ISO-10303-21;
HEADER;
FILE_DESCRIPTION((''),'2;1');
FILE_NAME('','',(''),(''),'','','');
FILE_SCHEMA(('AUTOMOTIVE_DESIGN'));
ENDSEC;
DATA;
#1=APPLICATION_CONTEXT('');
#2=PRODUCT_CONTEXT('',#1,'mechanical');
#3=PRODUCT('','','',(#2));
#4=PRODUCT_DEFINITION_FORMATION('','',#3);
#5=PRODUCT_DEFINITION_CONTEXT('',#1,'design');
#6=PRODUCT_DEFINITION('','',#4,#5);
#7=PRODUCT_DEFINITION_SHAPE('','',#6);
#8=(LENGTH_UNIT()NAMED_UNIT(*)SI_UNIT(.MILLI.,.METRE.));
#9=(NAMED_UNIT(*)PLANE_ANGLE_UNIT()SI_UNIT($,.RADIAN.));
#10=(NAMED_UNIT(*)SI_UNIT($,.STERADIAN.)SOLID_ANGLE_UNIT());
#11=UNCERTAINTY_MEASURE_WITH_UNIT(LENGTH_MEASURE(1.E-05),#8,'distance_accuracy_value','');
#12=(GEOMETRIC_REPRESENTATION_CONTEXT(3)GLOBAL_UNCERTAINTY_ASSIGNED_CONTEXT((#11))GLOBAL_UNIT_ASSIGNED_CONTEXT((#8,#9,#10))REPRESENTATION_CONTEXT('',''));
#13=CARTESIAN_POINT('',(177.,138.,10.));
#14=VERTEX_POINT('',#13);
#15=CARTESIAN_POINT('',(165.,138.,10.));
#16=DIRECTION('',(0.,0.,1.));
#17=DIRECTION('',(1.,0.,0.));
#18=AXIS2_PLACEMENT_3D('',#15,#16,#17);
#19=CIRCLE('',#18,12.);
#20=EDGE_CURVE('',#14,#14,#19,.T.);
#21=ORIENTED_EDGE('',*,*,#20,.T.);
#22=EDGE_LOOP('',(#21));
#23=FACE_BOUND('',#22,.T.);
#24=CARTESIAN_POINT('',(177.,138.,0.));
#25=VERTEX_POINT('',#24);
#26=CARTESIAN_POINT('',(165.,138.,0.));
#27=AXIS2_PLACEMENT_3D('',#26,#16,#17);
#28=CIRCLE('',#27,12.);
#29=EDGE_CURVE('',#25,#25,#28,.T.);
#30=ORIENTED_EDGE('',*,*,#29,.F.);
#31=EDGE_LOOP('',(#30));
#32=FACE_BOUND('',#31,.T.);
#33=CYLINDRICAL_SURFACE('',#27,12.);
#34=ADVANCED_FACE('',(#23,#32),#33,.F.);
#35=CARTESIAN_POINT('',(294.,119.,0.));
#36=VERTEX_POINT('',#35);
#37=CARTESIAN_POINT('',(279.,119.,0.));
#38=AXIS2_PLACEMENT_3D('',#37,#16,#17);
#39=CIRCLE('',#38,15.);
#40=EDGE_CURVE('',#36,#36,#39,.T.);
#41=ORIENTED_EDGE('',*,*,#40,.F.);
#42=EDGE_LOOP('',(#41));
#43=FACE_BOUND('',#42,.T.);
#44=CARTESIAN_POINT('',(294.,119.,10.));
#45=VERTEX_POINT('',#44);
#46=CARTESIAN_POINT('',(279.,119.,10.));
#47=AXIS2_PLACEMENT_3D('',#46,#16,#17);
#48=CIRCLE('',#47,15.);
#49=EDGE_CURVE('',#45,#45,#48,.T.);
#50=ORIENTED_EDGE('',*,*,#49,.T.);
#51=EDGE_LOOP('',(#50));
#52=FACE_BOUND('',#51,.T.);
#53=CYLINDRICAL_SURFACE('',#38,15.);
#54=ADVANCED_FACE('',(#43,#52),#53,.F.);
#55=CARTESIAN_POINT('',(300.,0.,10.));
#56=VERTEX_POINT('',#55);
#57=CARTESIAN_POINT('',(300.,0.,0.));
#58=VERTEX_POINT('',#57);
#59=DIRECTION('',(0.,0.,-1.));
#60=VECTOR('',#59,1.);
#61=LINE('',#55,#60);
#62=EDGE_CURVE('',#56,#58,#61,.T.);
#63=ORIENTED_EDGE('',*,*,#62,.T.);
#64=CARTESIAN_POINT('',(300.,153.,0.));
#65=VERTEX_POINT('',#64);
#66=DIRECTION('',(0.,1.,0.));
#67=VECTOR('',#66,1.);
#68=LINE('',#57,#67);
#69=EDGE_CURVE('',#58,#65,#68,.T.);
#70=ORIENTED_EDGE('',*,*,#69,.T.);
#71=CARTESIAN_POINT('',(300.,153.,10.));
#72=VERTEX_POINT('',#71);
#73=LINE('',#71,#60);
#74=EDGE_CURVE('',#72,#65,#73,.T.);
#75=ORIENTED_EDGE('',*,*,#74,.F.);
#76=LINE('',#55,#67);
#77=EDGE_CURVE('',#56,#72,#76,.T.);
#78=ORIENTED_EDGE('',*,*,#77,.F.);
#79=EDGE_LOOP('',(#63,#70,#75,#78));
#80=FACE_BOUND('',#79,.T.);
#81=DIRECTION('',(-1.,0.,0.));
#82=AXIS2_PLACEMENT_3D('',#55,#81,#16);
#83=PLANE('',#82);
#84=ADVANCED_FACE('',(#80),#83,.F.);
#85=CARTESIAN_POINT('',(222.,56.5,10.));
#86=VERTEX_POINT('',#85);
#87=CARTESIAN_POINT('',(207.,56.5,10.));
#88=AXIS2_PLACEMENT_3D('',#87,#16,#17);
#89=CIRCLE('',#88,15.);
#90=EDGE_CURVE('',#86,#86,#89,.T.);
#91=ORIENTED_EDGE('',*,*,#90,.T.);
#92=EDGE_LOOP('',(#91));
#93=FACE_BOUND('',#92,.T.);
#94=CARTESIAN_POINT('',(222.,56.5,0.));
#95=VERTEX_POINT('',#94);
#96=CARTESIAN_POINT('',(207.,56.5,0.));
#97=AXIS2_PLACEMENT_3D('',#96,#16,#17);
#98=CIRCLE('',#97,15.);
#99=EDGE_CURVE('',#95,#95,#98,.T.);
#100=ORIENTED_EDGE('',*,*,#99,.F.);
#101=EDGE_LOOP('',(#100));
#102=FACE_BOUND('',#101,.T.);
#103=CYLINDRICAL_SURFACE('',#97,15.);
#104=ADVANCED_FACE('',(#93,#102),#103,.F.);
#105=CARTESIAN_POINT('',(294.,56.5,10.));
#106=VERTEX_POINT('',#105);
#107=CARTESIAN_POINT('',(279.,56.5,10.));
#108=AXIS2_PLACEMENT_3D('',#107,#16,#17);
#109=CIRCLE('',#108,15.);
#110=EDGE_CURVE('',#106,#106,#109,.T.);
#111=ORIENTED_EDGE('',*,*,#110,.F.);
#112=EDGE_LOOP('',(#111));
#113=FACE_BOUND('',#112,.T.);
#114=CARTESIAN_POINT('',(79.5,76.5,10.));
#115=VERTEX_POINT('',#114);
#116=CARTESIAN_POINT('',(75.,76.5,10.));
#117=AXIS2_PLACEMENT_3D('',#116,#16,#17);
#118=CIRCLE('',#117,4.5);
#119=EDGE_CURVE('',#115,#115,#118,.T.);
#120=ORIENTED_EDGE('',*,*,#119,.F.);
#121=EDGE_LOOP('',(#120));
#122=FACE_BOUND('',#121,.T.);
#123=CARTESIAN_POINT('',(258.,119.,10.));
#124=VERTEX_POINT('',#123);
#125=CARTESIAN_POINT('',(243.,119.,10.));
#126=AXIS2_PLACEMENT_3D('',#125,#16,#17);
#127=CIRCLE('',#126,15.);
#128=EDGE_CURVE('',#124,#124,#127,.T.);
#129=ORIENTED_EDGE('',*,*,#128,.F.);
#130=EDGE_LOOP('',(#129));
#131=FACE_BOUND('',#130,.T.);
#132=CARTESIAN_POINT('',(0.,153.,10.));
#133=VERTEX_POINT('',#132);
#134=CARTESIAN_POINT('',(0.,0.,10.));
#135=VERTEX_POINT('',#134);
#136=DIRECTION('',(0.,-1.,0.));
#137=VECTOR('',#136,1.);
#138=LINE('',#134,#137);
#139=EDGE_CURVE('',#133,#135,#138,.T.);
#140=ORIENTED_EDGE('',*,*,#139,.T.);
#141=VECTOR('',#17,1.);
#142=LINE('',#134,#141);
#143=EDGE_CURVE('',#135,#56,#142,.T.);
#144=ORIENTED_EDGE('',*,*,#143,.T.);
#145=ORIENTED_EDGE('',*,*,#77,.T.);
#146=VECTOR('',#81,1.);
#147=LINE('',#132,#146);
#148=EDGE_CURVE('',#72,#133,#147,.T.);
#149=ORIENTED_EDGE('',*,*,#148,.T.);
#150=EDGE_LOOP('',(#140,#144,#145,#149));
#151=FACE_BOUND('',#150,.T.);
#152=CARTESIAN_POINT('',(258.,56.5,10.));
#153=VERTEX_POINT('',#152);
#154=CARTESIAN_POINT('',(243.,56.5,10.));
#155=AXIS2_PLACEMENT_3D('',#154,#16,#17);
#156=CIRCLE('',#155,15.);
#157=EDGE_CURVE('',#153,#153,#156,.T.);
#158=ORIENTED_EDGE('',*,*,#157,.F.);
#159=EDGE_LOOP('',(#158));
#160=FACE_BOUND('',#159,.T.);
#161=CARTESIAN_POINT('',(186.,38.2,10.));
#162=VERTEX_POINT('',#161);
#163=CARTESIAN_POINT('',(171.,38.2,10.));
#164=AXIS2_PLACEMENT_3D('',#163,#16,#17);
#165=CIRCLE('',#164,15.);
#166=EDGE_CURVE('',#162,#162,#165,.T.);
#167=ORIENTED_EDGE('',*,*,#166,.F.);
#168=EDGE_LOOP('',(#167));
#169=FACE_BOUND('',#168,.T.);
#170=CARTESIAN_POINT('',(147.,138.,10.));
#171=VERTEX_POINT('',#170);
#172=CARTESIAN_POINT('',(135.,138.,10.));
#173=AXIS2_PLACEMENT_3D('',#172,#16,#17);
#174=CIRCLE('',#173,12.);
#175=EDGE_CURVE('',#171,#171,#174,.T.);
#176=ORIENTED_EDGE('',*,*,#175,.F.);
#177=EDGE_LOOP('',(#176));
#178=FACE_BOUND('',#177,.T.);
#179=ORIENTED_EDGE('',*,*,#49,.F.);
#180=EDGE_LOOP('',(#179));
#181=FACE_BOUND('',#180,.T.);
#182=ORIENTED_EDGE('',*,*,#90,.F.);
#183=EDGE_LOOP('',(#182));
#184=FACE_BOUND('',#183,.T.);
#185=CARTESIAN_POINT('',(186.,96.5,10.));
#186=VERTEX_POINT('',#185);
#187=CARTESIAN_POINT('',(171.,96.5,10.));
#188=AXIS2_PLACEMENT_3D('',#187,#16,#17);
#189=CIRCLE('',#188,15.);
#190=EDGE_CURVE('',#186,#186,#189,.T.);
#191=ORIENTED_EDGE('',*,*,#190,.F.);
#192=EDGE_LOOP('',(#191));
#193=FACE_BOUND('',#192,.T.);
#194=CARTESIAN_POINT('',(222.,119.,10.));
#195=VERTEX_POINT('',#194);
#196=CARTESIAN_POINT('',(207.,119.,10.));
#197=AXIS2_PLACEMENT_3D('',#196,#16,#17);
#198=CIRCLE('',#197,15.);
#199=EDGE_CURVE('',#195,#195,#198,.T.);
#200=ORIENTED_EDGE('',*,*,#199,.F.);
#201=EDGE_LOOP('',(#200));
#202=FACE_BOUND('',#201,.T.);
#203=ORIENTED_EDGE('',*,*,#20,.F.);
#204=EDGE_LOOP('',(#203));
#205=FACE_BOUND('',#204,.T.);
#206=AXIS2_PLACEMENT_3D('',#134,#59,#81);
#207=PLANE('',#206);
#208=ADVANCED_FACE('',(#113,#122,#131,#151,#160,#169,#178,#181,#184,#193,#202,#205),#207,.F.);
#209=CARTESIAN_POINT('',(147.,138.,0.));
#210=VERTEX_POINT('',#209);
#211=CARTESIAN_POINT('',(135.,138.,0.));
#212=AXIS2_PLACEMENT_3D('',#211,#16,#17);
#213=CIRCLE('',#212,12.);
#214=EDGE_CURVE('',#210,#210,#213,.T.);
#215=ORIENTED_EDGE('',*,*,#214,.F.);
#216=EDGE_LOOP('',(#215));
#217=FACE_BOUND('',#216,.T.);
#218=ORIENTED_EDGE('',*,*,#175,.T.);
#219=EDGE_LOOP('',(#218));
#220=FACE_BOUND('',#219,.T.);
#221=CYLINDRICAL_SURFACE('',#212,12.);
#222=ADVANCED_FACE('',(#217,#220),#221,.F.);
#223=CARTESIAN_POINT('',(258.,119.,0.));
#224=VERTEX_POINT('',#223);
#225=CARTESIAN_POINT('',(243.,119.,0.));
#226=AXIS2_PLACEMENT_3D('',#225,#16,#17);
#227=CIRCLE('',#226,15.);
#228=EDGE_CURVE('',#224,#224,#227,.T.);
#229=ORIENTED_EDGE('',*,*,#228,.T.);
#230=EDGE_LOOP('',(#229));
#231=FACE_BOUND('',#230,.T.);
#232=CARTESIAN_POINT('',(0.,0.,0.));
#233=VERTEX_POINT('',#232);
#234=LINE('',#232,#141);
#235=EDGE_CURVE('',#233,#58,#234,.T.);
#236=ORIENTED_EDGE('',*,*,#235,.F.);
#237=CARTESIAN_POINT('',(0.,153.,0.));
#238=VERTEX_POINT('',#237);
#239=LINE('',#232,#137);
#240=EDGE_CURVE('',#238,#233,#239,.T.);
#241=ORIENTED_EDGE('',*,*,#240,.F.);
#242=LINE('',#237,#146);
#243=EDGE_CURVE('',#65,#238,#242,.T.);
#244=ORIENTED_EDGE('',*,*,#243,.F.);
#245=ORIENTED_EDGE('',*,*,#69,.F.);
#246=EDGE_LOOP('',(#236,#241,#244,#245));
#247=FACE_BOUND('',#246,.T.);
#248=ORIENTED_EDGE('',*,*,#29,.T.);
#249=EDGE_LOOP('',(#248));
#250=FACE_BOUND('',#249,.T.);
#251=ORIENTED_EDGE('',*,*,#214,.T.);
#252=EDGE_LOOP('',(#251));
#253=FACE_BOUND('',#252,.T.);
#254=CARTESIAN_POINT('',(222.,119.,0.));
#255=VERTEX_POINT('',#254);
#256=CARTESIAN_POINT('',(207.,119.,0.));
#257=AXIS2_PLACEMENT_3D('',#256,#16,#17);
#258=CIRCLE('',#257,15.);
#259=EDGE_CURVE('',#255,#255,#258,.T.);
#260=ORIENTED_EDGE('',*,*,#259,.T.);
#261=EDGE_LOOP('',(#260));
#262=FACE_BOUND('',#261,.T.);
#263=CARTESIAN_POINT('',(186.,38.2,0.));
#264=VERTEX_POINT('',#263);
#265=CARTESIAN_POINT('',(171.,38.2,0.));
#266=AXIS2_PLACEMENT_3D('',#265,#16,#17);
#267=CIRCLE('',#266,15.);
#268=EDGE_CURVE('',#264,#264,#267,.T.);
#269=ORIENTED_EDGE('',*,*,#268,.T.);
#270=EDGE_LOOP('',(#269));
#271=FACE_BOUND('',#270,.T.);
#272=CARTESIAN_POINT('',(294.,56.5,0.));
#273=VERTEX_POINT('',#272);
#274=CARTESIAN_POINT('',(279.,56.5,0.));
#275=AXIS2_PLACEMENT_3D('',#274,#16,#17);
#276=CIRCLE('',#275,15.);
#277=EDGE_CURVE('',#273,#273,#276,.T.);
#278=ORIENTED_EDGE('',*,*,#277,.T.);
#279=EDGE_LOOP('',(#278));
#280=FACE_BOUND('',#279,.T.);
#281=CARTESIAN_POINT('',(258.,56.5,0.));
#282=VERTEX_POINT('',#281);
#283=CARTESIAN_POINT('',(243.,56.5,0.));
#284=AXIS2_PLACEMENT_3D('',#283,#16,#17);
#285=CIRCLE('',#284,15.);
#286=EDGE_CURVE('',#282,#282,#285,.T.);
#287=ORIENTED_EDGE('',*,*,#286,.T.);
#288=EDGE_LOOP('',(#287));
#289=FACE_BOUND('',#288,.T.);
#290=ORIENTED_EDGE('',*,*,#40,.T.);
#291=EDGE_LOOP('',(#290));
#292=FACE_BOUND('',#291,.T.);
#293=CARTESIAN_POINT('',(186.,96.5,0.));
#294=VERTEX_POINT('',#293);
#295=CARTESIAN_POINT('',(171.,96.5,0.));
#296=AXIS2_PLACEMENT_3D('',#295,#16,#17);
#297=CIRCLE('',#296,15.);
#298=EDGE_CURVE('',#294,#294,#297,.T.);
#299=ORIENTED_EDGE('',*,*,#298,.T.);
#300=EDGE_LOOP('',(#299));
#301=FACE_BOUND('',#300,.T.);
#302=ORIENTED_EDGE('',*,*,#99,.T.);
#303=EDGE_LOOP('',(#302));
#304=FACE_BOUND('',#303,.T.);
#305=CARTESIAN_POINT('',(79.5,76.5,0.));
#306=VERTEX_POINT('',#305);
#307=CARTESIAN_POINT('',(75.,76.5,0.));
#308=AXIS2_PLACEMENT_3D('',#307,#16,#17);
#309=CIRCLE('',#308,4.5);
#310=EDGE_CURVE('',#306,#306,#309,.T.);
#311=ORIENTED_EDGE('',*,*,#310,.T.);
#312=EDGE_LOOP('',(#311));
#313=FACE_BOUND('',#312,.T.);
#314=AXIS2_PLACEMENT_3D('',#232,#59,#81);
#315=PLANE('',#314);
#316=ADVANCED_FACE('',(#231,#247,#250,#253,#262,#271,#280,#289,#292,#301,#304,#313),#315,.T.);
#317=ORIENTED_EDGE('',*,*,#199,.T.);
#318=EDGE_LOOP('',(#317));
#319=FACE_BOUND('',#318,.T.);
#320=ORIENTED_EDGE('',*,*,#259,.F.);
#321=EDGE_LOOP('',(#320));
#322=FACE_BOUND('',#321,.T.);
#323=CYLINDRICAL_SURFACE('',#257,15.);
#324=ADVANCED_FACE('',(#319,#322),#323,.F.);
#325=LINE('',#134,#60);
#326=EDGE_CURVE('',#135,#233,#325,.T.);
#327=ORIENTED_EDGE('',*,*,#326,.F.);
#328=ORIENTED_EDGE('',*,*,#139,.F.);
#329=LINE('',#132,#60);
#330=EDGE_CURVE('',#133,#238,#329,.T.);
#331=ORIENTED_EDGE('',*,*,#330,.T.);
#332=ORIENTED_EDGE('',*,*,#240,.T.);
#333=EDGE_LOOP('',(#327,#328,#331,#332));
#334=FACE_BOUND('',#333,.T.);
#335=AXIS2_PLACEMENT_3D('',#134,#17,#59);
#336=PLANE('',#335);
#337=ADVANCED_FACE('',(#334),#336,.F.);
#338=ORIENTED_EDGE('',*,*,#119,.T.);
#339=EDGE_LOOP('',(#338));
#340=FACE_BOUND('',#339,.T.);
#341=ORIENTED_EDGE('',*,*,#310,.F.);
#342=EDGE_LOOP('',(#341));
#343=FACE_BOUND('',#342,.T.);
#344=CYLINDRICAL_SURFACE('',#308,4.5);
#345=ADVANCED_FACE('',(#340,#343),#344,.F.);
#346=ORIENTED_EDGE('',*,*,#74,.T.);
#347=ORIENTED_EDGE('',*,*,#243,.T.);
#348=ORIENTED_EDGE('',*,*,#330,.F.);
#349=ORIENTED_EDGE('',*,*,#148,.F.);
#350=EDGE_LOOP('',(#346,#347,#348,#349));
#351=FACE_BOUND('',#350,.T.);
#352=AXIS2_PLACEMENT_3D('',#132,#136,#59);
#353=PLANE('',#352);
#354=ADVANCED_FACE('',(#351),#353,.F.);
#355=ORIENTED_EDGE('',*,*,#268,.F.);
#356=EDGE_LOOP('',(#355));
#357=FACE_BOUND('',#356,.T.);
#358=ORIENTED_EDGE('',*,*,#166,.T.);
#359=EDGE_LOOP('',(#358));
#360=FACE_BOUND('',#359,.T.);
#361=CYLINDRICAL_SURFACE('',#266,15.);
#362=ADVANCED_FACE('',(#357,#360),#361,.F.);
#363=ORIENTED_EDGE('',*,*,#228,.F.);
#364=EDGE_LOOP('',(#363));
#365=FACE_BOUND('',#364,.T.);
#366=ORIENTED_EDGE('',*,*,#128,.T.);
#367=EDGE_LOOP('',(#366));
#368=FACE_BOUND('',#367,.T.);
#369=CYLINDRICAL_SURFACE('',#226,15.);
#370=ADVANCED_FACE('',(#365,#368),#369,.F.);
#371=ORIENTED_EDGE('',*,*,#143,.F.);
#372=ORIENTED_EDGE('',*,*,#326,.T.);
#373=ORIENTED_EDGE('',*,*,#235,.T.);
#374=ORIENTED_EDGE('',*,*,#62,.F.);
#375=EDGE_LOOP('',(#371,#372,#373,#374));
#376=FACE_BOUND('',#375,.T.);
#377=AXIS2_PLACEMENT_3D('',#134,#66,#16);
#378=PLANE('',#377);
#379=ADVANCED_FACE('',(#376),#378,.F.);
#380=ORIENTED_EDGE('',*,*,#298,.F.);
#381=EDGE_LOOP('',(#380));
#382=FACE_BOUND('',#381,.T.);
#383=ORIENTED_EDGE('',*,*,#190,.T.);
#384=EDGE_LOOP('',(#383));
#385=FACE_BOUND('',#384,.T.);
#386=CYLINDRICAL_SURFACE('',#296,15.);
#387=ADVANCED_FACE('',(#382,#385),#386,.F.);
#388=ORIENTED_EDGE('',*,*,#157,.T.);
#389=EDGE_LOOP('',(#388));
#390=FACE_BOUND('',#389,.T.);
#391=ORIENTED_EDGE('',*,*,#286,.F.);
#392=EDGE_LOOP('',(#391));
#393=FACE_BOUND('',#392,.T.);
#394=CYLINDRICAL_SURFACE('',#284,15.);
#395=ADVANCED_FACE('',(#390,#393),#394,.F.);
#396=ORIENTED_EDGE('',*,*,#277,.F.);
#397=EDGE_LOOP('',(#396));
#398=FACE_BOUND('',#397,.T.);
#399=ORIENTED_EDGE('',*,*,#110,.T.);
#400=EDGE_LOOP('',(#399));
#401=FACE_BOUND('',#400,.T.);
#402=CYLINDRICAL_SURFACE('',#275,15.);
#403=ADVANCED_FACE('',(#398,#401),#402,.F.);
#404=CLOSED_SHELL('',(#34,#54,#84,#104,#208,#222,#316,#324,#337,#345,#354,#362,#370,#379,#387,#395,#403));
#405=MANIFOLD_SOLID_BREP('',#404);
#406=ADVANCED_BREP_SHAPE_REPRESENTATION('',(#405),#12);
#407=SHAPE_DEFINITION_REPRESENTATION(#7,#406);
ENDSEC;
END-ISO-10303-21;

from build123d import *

# Parameters (mm, degrees)
ESQUISSE1_W              = 300
ESQUISSE1_H              = 153
BOSS_EXTRU_1_DEPTH       = 10
ESQUISSE7_R              = 15
ENL_V_MAT_EXTRU_5_DEPTH  = 11
ESQUISSE8_R              = 15
ENL_V_MAT_EXTRU_6_DEPTH  = 11
ESQUISSE9_R              = 15
ENL_V_MAT_EXTRU_7_DEPTH  = 11
ESQUISSE10_R             = 15
ENL_V_MAT_EXTRU_8_DEPTH  = 11
ESQUISSE11_R             = 15
ENL_V_MAT_EXTRU_9_DEPTH  = 11
ESQUISSE12_R             = 15
ENL_V_MAT_EXTRU_10_DEPTH = 11
ESQUISSE13_R             = 15
ENL_V_MAT_EXTRU_11_DEPTH = 11
ESQUISSE14_R             = 15
ENL_V_MAT_EXTRU_12_DEPTH = 11
ESQUISSE16_R             = 12
ENL_V_MAT_EXTRU_14_DEPTH = 11
ESQUISSE17_R             = 12
ENL_V_MAT_EXTRU_15_DEPTH = 11
ESQUISSE2_R              = 4.5
ENL_V_MAT_EXTRU_16_DEPTH = 11


with BuildPart() as part:
    # Esquisse1 → Boss.-Extru.1 (new body)
    with BuildSketch(Plane.XY):
        with Locations((150, 76.5)):
            Rectangle(ESQUISSE1_W, ESQUISSE1_H)
    extrude(amount=BOSS_EXTRU_1_DEPTH)

    # Esquisse7 → Enlèv. mat.-Extru.5 (cut, through all)
    with BuildSketch(Plane.XY.offset(10)):
        with Locations((171, 96.5)):
            Circle(ESQUISSE7_R)
    extrude(amount=-ENL_V_MAT_EXTRU_5_DEPTH, mode=Mode.SUBTRACT)

    # Esquisse8 → Enlèv. mat.-Extru.6 (cut, through all)
    with BuildSketch(Plane.XY.offset(10)):
        with Locations((207, 119)):
            Circle(ESQUISSE8_R)
    extrude(amount=-ENL_V_MAT_EXTRU_6_DEPTH, mode=Mode.SUBTRACT)

    # Esquisse9 → Enlèv. mat.-Extru.7 (cut, through all)
    with BuildSketch(Plane.XY.offset(10)):
        with Locations((243, 119)):
            Circle(ESQUISSE9_R)
    extrude(amount=-ENL_V_MAT_EXTRU_7_DEPTH, mode=Mode.SUBTRACT)

    # Esquisse10 → Enlèv. mat.-Extru.8 (cut, through all)
    with BuildSketch(Plane.XY.offset(10)):
        with Locations((279, 119)):
            Circle(ESQUISSE10_R)
    extrude(amount=-ENL_V_MAT_EXTRU_8_DEPTH, mode=Mode.SUBTRACT)

    # Esquisse11 → Enlèv. mat.-Extru.9 (cut, through all)
    with BuildSketch(Plane.XY.offset(10)):
        with Locations((171, 38.2)):
            Circle(ESQUISSE11_R)
    extrude(amount=-ENL_V_MAT_EXTRU_9_DEPTH, mode=Mode.SUBTRACT)

    # Esquisse12 → Enlèv. mat.-Extru.10 (cut, through all)
    with BuildSketch(Plane.XY.offset(10)):
        with Locations((207, 56.5)):
            Circle(ESQUISSE12_R)
    extrude(amount=-ENL_V_MAT_EXTRU_10_DEPTH, mode=Mode.SUBTRACT)

    # Esquisse13 → Enlèv. mat.-Extru.11 (cut, through all)
    with BuildSketch(Plane.XY.offset(10)):
        with Locations((243, 56.5)):
            Circle(ESQUISSE13_R)
    extrude(amount=-ENL_V_MAT_EXTRU_11_DEPTH, mode=Mode.SUBTRACT)

    # Esquisse14 → Enlèv. mat.-Extru.12 (cut, through all)
    with BuildSketch(Plane.XY.offset(10)):
        with Locations((279, 56.5)):
            Circle(ESQUISSE14_R)
    extrude(amount=-ENL_V_MAT_EXTRU_12_DEPTH, mode=Mode.SUBTRACT)

    # Esquisse16 → Enlèv. mat.-Extru.14 (cut, through all)
    with BuildSketch(Plane.XY.offset(10)):
        with Locations((165, 138)):
            Circle(ESQUISSE16_R)
    extrude(amount=-ENL_V_MAT_EXTRU_14_DEPTH, mode=Mode.SUBTRACT)

    # Esquisse17 → Enlèv. mat.-Extru.15 (cut, through all)
    with BuildSketch(Plane.XY.offset(10)):
        with Locations((135, 138)):
            Circle(ESQUISSE17_R)
    extrude(amount=-ENL_V_MAT_EXTRU_15_DEPTH, mode=Mode.SUBTRACT)

    # Esquisse2 → Enlèv. mat.-Extru.16 (cut, through all)
    with BuildSketch(Plane.XY.offset(10)):
        with Locations((75, 76.5)):
            Circle(ESQUISSE2_R)
    extrude(amount=-ENL_V_MAT_EXTRU_16_DEPTH, mode=Mode.SUBTRACT)


solid = part.part
